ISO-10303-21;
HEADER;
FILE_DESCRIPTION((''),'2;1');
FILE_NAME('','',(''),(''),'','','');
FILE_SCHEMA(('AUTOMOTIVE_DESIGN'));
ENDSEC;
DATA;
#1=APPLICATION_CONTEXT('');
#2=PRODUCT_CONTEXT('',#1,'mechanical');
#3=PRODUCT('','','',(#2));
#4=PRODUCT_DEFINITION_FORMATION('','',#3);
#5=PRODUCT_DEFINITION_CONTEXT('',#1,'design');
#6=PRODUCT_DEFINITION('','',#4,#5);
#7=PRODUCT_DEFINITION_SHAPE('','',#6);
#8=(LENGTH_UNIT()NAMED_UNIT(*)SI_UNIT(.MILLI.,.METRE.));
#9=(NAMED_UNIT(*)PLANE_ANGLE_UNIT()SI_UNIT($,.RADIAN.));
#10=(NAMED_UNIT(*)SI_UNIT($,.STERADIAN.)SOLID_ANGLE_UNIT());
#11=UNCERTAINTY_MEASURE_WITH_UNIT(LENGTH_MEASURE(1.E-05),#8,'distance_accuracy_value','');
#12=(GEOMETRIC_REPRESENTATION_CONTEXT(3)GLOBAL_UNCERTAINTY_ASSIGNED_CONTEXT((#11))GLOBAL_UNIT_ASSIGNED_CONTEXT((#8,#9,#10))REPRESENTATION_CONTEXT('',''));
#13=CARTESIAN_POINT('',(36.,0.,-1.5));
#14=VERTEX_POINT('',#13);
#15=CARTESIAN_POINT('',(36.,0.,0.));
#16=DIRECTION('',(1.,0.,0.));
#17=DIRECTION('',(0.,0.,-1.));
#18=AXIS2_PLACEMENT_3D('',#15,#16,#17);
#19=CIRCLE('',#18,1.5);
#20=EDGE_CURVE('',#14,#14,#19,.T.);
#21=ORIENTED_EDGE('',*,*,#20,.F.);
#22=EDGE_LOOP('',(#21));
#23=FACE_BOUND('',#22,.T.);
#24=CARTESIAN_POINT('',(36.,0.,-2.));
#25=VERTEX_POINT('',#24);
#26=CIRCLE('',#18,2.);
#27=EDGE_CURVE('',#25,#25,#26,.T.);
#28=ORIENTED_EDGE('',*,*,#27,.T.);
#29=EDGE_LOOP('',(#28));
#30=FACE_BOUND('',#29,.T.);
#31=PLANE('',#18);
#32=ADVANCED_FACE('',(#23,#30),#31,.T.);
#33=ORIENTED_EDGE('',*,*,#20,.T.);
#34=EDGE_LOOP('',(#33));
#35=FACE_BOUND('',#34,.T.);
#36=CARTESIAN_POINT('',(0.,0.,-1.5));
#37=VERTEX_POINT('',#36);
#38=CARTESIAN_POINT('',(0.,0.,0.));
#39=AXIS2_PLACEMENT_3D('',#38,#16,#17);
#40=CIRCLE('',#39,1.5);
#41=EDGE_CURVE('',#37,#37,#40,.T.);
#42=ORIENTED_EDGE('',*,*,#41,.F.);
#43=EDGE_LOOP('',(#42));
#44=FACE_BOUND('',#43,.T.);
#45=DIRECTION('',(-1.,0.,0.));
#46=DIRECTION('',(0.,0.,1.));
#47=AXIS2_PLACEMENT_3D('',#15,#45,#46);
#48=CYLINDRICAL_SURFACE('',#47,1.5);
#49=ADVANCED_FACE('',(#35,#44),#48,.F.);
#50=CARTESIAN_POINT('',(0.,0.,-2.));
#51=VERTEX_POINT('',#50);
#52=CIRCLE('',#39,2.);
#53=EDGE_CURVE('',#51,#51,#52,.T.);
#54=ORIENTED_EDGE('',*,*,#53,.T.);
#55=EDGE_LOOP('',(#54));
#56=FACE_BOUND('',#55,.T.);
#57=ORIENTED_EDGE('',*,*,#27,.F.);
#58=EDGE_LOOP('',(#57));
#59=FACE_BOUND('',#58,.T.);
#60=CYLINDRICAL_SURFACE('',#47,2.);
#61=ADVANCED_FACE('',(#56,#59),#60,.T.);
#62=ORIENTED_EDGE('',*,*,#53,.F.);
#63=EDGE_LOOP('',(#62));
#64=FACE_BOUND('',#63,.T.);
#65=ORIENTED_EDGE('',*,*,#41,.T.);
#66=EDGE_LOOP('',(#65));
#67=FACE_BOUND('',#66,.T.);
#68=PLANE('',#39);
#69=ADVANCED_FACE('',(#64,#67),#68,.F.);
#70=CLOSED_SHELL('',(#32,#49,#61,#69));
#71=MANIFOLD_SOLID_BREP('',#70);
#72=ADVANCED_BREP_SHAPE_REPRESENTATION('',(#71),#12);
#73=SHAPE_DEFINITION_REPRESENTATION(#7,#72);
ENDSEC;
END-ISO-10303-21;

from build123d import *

# Parameters (mm, degrees)
SKETCH_1_R      = 2
SKETCH_1_R_2    = 1.5
EXTRUDE_1_DEPTH = 36


with BuildPart() as part:
    # 草图1 → 凸台-拉伸1 (new body)
    with BuildSketch(Plane(origin=(0, 0, 0), x_dir=(0, 0, -1), z_dir=(1, 0, 0))):
        Circle(SKETCH_1_R)
        Circle(SKETCH_1_R_2, mode=Mode.SUBTRACT)
    extrude(amount=EXTRUDE_1_DEPTH)


solid = part.part
